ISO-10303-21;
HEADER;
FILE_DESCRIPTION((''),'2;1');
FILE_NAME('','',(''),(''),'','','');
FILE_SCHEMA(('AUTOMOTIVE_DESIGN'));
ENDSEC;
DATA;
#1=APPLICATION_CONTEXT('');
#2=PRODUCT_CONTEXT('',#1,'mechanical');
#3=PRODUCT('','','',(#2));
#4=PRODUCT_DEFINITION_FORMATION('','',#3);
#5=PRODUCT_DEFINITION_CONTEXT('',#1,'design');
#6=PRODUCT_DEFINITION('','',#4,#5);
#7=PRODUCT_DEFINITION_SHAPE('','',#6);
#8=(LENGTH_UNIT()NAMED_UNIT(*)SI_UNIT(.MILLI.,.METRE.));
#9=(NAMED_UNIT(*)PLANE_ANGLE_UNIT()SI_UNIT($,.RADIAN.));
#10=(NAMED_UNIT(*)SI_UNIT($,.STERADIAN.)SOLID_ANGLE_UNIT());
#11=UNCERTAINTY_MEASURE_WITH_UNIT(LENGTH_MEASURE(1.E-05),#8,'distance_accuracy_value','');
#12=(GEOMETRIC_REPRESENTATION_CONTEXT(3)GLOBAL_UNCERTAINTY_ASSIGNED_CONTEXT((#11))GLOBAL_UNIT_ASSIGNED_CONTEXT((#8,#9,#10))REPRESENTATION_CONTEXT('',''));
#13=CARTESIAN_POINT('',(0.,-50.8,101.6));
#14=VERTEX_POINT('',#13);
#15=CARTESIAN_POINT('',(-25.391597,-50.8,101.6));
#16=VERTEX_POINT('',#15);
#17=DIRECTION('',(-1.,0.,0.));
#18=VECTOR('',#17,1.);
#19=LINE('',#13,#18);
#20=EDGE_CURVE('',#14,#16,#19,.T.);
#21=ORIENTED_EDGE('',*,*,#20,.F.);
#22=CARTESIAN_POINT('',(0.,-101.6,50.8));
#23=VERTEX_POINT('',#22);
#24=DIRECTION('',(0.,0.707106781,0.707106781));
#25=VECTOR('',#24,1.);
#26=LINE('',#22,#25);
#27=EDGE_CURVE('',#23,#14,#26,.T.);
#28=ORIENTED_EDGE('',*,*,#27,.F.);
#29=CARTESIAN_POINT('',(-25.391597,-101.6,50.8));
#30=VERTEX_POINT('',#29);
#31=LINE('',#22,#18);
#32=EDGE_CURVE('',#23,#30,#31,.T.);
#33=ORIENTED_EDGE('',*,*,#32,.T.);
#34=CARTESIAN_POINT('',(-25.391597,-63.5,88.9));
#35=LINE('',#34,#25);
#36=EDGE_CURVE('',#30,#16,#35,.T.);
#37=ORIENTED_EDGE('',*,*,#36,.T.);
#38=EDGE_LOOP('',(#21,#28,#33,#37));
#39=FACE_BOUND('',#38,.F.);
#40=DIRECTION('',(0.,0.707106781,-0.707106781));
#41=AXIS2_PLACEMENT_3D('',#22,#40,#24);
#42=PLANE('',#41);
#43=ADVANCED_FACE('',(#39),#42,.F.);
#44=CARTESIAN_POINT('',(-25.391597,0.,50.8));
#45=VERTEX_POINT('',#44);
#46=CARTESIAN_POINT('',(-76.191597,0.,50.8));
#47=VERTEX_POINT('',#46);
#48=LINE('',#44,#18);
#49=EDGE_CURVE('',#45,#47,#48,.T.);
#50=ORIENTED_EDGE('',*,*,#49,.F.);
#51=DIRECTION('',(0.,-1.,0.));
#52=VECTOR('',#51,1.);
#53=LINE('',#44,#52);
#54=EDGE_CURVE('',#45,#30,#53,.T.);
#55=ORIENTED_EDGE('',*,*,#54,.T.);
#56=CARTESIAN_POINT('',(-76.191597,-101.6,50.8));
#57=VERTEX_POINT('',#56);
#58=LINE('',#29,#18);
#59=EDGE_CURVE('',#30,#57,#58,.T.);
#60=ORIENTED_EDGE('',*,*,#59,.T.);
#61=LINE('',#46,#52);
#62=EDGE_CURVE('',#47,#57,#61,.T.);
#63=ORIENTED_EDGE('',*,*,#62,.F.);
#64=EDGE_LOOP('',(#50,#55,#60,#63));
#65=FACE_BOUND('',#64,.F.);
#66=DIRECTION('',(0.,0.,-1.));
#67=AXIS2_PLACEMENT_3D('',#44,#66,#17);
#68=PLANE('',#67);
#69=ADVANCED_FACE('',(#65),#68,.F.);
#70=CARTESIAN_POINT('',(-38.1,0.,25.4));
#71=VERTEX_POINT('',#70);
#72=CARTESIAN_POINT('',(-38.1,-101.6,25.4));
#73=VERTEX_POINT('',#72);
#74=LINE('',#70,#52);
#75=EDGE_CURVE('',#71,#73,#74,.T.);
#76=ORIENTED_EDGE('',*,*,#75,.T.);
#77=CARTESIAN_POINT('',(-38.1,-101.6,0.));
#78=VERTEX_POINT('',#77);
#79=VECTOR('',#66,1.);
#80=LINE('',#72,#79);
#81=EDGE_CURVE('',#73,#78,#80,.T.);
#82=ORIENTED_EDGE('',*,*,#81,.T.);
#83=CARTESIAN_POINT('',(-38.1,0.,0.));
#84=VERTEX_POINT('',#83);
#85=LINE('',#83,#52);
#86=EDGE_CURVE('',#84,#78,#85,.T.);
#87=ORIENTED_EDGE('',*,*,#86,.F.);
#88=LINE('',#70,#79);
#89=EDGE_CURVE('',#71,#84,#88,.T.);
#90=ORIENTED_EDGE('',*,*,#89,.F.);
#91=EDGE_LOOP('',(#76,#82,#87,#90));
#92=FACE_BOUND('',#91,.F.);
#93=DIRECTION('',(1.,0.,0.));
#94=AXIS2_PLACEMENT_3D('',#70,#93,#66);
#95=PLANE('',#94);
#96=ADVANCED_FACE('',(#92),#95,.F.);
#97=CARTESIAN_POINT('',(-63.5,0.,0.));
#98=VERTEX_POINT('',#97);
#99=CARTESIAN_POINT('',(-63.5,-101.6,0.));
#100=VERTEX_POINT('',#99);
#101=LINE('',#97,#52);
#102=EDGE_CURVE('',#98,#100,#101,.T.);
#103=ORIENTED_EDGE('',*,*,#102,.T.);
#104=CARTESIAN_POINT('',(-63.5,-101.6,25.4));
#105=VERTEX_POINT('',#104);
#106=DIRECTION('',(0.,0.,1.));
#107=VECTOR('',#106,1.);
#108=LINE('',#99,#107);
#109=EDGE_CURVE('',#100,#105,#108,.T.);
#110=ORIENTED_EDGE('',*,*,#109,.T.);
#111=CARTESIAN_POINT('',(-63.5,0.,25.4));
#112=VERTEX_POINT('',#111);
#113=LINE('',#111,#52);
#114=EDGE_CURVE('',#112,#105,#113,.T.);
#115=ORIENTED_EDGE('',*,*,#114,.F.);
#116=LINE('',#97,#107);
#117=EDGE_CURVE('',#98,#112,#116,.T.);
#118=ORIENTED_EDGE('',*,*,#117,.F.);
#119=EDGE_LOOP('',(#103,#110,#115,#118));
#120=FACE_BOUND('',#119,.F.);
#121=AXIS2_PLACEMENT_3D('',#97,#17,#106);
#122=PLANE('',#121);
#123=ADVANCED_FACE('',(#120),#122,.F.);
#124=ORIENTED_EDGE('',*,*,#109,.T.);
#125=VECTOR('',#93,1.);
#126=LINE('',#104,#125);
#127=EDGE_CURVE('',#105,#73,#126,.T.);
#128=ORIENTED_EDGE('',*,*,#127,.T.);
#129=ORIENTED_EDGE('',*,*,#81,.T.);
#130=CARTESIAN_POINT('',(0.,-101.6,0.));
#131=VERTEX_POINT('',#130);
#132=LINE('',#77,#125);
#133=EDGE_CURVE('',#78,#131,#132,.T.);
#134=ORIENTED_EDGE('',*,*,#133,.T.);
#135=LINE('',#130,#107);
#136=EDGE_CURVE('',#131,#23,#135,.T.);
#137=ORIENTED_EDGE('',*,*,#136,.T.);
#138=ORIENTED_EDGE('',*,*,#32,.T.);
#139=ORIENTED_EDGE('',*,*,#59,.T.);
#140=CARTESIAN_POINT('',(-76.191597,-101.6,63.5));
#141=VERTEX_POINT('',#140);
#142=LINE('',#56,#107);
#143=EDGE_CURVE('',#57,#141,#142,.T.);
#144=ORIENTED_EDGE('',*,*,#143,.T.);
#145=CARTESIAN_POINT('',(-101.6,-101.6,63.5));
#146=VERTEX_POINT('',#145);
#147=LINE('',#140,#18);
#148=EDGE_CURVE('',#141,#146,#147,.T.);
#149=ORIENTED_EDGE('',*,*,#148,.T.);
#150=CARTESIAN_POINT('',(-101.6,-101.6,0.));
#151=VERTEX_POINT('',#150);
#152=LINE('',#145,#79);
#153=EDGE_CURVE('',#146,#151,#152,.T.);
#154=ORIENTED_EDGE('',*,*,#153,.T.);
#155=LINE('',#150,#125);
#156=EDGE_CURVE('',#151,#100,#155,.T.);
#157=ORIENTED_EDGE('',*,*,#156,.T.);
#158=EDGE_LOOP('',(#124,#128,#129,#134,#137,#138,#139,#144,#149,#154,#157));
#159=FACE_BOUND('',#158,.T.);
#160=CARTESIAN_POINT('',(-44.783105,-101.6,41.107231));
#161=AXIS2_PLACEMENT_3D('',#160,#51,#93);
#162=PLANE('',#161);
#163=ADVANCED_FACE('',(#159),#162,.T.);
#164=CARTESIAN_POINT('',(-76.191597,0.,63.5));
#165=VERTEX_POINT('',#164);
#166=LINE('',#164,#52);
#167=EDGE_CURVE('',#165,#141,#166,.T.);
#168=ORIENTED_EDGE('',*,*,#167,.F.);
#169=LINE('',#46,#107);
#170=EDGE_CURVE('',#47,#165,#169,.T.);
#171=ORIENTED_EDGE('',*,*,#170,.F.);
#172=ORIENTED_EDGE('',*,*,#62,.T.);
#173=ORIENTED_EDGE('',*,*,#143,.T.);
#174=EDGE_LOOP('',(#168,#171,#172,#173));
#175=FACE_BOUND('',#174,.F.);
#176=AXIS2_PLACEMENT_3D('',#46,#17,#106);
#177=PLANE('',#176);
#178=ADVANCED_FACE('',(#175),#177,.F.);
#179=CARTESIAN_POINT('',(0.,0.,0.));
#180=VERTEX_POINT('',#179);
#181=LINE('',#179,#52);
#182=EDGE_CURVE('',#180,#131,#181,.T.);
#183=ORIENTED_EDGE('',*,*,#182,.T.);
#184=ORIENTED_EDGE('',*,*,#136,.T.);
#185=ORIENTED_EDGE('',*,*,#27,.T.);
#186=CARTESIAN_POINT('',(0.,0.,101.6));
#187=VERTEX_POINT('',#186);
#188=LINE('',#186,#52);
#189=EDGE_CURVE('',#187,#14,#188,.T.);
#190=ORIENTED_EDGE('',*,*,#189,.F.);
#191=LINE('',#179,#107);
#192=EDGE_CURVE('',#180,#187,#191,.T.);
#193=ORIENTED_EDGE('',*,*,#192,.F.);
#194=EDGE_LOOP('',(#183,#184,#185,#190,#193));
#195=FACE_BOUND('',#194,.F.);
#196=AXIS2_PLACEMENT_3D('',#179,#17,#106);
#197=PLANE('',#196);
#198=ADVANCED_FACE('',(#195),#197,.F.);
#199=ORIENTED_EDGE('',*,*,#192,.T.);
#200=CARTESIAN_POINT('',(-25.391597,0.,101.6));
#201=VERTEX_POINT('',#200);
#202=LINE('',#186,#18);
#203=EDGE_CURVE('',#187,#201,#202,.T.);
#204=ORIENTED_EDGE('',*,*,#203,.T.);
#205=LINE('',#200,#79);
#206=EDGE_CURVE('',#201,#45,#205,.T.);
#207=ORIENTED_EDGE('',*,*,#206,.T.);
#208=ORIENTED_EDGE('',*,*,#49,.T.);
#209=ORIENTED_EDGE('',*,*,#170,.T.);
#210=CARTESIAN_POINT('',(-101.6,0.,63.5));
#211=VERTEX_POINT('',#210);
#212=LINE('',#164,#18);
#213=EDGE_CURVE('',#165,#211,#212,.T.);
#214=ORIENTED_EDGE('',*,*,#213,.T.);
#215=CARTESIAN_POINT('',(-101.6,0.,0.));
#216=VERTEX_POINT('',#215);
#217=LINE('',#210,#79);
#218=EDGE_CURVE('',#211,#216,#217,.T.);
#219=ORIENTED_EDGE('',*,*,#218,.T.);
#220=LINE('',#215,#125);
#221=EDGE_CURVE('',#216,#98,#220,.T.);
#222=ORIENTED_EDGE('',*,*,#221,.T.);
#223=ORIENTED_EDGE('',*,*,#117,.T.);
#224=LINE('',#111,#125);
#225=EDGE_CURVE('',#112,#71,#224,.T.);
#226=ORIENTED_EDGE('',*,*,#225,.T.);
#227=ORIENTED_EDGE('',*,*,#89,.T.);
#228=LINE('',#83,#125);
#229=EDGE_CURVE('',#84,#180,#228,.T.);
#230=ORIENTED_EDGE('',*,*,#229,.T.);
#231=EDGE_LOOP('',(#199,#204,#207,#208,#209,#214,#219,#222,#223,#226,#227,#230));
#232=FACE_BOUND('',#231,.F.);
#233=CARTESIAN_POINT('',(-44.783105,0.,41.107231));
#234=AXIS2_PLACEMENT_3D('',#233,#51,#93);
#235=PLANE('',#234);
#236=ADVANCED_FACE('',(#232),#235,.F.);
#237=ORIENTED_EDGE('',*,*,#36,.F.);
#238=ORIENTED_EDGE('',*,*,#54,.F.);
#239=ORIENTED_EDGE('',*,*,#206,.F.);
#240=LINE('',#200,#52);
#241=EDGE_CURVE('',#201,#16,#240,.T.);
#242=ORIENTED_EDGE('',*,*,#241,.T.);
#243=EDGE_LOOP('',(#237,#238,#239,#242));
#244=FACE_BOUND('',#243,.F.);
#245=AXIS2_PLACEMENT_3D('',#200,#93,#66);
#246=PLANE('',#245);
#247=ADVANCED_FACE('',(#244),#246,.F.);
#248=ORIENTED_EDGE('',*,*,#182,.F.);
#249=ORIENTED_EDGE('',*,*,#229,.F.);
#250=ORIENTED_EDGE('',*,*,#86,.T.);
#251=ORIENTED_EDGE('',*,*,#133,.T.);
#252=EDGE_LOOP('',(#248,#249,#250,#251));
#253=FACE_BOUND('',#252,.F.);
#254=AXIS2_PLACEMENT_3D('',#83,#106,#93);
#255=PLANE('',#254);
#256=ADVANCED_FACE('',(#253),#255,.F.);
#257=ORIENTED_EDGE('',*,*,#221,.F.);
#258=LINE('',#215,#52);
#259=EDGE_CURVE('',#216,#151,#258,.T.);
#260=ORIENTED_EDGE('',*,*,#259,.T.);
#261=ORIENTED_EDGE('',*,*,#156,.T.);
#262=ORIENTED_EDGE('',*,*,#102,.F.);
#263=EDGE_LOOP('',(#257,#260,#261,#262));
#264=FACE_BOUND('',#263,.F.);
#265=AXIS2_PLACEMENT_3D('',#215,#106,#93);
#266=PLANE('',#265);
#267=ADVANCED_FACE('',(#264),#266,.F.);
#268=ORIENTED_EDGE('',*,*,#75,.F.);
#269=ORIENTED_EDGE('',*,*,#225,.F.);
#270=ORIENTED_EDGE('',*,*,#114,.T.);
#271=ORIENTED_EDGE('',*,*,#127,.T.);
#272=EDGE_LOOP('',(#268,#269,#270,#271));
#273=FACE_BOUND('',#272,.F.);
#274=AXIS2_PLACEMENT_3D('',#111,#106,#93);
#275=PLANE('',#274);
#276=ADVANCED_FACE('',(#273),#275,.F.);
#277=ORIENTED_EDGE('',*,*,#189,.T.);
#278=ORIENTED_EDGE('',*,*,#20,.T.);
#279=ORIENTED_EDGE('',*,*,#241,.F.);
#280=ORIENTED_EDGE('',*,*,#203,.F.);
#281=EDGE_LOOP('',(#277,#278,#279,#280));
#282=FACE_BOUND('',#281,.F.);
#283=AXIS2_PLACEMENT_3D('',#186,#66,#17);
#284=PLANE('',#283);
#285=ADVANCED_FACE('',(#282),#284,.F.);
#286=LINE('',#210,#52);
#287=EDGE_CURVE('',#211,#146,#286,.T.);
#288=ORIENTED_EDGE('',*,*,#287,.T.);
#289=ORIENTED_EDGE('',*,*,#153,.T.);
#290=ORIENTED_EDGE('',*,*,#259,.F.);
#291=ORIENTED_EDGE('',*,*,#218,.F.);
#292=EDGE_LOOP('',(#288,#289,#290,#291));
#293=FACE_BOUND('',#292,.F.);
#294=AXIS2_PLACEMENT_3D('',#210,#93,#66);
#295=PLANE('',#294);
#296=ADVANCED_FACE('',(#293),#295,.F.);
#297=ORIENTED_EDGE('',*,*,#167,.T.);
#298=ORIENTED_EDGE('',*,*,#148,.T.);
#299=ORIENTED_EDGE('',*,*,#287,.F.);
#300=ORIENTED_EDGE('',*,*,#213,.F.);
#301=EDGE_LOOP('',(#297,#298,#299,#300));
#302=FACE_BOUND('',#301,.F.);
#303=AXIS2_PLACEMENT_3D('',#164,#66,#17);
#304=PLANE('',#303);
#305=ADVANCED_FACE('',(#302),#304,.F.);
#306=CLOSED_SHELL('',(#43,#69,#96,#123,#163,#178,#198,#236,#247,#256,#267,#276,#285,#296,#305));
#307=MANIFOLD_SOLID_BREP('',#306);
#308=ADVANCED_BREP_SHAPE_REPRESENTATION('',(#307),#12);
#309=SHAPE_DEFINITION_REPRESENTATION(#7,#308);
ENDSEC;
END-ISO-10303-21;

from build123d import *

# Parameters (mm, degrees)
F1_DEPTH = 101.6
F3_DEPTH = 25.4


with BuildPart() as f1:
    # F0 (on Front) → F1 (new body)
    with BuildSketch(Plane.XZ):
        Polygon((-38.1, 0), (0, 0), (0, 101.6), (-25.391597, 101.6), (-25.391597, 50.8), (-76.191597, 50.8), (-76.191597, 63.5), (-101.6, 63.5), (-101.6, 0), (-63.5, 0), (-63.5, 25.4), (-38.1, 25.4), align=None)
    extrude(amount=F1_DEPTH)

    # F2 (on face) → F3 (cut)
    with BuildSketch(Plane.YZ):
        Polygon((-101.6, 101.6), (-101.6, 50.8), (-50.8, 101.6), align=None)
    extrude(amount=-F3_DEPTH, mode=Mode.SUBTRACT)


solid = f1.part
